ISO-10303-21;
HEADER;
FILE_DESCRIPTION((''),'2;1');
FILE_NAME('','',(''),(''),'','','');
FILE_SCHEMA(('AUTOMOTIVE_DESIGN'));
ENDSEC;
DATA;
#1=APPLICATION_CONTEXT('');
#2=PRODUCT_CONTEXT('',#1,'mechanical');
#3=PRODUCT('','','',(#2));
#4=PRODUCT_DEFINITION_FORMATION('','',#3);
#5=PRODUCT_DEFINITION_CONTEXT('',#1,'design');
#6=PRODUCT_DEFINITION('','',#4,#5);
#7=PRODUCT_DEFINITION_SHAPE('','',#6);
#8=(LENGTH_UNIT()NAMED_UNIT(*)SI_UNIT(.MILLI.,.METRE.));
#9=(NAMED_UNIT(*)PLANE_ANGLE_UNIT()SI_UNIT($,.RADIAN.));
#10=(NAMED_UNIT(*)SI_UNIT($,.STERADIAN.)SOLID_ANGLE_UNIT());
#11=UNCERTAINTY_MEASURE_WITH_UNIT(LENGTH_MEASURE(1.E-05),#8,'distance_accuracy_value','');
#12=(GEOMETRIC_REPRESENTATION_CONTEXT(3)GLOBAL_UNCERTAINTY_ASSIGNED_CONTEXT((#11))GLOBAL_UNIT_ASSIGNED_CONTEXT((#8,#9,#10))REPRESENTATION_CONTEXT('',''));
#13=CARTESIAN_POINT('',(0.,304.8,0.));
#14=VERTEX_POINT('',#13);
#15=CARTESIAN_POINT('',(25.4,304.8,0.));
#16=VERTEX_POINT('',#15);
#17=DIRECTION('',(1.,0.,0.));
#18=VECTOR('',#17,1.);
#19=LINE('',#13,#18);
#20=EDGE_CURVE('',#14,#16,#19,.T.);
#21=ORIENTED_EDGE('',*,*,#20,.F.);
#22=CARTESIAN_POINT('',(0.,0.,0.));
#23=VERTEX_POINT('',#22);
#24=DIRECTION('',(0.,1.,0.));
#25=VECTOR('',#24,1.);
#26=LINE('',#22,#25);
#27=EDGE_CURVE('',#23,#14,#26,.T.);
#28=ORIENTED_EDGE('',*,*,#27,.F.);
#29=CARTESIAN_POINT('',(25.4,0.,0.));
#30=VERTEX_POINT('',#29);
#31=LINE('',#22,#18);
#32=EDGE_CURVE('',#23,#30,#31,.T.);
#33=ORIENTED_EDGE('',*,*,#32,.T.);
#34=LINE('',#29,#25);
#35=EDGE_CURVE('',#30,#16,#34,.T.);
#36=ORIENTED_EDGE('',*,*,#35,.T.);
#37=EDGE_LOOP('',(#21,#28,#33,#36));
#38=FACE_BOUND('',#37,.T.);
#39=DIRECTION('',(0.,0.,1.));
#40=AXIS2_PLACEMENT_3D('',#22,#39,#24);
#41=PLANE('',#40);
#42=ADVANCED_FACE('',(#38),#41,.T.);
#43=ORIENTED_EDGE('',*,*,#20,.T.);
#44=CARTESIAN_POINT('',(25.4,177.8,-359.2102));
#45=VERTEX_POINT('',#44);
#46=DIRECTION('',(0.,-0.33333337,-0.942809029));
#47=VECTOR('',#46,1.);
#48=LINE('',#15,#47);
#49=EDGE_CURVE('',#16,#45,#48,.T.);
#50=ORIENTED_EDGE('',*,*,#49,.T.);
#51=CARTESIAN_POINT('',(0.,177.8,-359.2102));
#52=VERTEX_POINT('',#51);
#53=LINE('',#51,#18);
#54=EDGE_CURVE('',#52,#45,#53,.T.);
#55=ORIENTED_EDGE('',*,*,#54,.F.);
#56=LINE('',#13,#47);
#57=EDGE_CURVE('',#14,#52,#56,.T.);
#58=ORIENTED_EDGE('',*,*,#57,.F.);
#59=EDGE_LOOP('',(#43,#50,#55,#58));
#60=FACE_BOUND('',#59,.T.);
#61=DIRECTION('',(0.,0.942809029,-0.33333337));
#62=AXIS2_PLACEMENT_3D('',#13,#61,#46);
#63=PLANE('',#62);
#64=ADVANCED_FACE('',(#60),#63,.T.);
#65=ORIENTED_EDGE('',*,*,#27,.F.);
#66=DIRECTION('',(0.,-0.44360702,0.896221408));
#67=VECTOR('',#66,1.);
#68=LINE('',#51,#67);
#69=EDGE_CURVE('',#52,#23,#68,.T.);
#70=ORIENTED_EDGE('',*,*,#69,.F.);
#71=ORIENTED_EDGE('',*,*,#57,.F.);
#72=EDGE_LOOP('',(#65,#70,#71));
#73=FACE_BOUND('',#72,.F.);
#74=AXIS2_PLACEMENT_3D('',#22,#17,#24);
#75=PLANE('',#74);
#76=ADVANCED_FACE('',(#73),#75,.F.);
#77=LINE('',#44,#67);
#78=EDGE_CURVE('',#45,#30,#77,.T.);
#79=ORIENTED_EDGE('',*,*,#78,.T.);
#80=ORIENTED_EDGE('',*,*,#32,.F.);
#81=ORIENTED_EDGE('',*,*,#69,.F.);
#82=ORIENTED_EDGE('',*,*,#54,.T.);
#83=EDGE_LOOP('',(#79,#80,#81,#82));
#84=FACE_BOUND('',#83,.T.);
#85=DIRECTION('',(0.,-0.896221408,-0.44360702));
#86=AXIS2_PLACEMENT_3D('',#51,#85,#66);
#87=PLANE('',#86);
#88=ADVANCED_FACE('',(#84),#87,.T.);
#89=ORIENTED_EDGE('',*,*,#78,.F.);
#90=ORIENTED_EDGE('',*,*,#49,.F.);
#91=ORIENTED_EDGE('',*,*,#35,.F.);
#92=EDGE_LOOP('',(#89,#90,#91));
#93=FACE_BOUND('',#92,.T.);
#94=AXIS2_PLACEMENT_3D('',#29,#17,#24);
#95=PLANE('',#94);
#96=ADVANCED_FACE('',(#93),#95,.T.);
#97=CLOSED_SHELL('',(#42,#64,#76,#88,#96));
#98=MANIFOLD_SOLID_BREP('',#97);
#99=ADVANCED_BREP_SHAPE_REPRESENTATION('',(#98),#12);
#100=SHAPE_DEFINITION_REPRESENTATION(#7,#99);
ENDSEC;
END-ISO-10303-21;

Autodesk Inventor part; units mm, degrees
ref_plane "YZ Plane" through (0, 0, 0) normal (1, 0, 0) x (0, 1, 0)
ref_plane "XZ Plane" through (0, 0, 0) normal (0, 1, 0) x (-1, 0, 0)
ref_plane "XY Plane" through (0, 0, 0) normal (0, 0, 1) x (1, 0, 0)
sketch "Sketch2" plane through (0, 0, 0) normal (1, 0, 0) x (0, 1, 0)
  line L0 (0, 0) -> (304.8, 0)
  line L1 (304.8, 0) -> (177.8, -359.2102)
  line L2 (177.8, -359.2102) -> (0, 0)
  dimension "d1" = 304.8
  dimension "d2" = 381
extrude "Extrusion1" add sketch "Sketch2" along normal blind 25.4
properties part number "HPSFlag-ver1-1111-2021"
